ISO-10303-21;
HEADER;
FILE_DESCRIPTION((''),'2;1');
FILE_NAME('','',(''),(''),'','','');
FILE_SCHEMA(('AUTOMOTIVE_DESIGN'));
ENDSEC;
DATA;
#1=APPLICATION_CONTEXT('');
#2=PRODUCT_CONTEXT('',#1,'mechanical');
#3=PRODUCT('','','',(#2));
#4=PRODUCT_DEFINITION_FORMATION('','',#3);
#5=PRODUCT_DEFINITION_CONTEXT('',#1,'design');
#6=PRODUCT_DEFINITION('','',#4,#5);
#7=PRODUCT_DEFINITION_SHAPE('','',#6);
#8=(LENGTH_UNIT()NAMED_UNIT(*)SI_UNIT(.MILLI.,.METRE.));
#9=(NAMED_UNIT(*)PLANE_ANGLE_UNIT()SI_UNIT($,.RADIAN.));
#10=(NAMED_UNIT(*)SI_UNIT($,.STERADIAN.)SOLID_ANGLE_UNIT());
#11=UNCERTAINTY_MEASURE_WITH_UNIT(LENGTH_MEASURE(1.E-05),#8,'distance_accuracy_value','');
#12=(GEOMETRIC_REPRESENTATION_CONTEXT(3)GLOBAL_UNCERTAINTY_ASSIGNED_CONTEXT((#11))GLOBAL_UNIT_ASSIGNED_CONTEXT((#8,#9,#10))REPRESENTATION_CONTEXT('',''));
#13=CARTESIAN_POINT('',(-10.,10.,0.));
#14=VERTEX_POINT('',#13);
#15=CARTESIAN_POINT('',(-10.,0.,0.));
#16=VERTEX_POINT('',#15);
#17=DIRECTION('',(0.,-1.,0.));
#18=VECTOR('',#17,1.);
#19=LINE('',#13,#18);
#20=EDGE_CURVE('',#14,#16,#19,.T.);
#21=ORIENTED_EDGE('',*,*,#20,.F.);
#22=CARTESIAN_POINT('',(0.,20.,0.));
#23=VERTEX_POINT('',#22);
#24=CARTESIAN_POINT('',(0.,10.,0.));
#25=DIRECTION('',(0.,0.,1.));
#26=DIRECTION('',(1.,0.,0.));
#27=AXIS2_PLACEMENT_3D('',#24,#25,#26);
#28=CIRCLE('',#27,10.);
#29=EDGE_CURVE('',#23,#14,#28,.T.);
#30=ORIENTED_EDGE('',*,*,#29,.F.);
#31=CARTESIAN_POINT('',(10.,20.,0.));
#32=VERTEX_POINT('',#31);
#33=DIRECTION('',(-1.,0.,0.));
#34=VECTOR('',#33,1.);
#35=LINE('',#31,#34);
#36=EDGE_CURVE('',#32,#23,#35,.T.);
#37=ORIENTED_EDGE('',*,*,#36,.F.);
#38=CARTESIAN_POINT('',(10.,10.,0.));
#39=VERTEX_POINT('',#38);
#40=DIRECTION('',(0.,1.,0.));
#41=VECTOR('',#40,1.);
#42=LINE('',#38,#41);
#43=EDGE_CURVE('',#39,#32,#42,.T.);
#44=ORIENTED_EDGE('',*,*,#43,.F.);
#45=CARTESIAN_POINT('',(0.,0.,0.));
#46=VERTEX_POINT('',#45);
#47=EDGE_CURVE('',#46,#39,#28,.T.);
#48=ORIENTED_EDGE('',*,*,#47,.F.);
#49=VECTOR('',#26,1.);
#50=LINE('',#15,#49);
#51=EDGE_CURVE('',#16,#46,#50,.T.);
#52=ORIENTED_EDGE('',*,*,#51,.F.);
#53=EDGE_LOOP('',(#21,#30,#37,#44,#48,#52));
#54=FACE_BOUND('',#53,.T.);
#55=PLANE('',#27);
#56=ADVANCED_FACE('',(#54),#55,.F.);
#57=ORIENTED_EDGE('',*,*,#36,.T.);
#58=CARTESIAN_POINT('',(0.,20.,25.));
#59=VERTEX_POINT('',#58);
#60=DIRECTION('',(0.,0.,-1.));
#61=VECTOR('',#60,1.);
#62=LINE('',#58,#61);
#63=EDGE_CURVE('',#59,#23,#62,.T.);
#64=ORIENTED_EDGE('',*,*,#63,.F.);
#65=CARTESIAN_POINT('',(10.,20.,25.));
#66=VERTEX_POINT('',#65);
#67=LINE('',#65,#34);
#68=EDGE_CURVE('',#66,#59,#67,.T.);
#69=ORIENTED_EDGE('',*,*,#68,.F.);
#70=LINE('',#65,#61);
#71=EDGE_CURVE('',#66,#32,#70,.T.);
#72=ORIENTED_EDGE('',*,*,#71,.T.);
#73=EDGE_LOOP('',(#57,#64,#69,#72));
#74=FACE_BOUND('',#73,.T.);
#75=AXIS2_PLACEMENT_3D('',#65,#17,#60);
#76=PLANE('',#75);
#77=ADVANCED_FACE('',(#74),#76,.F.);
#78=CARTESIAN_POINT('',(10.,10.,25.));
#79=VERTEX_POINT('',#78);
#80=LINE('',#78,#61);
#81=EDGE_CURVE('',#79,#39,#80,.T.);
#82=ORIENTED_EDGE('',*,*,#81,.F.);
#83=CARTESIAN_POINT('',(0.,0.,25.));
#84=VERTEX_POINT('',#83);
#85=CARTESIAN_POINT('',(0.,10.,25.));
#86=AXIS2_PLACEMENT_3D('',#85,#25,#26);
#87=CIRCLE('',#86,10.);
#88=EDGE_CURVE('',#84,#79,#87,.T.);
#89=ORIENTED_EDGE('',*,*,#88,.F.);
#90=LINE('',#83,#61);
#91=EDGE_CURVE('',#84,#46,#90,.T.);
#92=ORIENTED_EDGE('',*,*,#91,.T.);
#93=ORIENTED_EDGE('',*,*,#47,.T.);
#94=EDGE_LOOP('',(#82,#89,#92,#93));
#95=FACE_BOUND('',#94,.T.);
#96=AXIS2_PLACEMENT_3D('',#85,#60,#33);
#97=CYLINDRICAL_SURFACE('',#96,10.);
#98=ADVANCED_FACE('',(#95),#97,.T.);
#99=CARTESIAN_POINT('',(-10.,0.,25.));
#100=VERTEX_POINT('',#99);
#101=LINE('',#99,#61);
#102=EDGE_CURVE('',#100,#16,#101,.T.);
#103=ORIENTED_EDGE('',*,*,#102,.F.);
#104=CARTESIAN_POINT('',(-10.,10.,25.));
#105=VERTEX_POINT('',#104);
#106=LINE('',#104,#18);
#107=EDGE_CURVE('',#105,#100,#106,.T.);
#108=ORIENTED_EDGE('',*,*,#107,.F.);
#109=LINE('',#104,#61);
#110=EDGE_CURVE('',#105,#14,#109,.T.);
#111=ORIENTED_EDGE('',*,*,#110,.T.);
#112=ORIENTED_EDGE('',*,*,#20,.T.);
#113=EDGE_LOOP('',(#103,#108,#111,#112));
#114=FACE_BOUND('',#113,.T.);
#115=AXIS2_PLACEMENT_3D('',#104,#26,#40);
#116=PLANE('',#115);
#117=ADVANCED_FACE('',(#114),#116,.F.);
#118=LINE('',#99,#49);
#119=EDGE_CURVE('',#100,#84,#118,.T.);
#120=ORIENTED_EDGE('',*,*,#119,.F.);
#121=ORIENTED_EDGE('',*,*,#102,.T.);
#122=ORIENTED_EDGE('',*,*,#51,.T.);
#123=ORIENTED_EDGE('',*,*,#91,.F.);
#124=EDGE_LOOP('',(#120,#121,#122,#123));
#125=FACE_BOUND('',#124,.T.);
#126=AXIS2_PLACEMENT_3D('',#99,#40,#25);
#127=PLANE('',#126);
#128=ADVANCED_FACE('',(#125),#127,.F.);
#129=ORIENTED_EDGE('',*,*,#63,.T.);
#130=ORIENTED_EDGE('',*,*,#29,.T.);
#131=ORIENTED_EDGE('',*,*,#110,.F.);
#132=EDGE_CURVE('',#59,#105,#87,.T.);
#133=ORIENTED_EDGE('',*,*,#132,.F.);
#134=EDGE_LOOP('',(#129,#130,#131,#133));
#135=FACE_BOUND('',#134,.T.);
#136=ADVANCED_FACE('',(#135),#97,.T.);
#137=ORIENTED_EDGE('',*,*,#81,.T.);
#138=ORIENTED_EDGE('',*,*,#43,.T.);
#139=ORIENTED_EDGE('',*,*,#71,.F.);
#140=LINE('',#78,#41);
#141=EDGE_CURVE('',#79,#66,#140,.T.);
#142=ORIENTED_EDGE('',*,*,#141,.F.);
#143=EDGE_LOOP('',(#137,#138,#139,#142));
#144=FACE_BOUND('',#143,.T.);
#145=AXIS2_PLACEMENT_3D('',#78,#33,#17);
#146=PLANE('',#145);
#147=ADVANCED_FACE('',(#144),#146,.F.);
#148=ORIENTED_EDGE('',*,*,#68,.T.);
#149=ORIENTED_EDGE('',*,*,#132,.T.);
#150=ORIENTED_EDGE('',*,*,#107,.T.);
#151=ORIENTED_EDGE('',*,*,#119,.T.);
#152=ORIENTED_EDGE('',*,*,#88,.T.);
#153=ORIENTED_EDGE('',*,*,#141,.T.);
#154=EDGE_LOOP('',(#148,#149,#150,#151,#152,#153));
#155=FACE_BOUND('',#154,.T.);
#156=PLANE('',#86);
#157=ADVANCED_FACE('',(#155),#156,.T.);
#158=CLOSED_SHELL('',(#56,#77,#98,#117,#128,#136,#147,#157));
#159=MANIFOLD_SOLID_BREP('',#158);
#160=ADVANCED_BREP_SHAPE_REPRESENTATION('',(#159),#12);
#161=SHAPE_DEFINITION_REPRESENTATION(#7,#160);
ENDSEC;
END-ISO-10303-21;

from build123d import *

# Parameters (mm, degrees)
BOSS_EXTRUDE1_DEPTH = 25


with BuildPart() as part:
    # Sketch1 → Boss-Extrude1 (new body)
    with BuildSketch(Plane.XY):
        with BuildLine():
            Line((-10, 0), (0, 0))
            ThreePointArc((0, 0), (7.071067812, 2.928932188), (10, 10))
            Line((10, 10), (10, 20))
            Line((10, 20), (0, 20))
            ThreePointArc((0, 20), (-7.071067812, 17.071067812), (-10, 10))
            Line((-10, 10), (-10, 0))
        make_face()
    extrude(amount=BOSS_EXTRUDE1_DEPTH)


solid = part.part
